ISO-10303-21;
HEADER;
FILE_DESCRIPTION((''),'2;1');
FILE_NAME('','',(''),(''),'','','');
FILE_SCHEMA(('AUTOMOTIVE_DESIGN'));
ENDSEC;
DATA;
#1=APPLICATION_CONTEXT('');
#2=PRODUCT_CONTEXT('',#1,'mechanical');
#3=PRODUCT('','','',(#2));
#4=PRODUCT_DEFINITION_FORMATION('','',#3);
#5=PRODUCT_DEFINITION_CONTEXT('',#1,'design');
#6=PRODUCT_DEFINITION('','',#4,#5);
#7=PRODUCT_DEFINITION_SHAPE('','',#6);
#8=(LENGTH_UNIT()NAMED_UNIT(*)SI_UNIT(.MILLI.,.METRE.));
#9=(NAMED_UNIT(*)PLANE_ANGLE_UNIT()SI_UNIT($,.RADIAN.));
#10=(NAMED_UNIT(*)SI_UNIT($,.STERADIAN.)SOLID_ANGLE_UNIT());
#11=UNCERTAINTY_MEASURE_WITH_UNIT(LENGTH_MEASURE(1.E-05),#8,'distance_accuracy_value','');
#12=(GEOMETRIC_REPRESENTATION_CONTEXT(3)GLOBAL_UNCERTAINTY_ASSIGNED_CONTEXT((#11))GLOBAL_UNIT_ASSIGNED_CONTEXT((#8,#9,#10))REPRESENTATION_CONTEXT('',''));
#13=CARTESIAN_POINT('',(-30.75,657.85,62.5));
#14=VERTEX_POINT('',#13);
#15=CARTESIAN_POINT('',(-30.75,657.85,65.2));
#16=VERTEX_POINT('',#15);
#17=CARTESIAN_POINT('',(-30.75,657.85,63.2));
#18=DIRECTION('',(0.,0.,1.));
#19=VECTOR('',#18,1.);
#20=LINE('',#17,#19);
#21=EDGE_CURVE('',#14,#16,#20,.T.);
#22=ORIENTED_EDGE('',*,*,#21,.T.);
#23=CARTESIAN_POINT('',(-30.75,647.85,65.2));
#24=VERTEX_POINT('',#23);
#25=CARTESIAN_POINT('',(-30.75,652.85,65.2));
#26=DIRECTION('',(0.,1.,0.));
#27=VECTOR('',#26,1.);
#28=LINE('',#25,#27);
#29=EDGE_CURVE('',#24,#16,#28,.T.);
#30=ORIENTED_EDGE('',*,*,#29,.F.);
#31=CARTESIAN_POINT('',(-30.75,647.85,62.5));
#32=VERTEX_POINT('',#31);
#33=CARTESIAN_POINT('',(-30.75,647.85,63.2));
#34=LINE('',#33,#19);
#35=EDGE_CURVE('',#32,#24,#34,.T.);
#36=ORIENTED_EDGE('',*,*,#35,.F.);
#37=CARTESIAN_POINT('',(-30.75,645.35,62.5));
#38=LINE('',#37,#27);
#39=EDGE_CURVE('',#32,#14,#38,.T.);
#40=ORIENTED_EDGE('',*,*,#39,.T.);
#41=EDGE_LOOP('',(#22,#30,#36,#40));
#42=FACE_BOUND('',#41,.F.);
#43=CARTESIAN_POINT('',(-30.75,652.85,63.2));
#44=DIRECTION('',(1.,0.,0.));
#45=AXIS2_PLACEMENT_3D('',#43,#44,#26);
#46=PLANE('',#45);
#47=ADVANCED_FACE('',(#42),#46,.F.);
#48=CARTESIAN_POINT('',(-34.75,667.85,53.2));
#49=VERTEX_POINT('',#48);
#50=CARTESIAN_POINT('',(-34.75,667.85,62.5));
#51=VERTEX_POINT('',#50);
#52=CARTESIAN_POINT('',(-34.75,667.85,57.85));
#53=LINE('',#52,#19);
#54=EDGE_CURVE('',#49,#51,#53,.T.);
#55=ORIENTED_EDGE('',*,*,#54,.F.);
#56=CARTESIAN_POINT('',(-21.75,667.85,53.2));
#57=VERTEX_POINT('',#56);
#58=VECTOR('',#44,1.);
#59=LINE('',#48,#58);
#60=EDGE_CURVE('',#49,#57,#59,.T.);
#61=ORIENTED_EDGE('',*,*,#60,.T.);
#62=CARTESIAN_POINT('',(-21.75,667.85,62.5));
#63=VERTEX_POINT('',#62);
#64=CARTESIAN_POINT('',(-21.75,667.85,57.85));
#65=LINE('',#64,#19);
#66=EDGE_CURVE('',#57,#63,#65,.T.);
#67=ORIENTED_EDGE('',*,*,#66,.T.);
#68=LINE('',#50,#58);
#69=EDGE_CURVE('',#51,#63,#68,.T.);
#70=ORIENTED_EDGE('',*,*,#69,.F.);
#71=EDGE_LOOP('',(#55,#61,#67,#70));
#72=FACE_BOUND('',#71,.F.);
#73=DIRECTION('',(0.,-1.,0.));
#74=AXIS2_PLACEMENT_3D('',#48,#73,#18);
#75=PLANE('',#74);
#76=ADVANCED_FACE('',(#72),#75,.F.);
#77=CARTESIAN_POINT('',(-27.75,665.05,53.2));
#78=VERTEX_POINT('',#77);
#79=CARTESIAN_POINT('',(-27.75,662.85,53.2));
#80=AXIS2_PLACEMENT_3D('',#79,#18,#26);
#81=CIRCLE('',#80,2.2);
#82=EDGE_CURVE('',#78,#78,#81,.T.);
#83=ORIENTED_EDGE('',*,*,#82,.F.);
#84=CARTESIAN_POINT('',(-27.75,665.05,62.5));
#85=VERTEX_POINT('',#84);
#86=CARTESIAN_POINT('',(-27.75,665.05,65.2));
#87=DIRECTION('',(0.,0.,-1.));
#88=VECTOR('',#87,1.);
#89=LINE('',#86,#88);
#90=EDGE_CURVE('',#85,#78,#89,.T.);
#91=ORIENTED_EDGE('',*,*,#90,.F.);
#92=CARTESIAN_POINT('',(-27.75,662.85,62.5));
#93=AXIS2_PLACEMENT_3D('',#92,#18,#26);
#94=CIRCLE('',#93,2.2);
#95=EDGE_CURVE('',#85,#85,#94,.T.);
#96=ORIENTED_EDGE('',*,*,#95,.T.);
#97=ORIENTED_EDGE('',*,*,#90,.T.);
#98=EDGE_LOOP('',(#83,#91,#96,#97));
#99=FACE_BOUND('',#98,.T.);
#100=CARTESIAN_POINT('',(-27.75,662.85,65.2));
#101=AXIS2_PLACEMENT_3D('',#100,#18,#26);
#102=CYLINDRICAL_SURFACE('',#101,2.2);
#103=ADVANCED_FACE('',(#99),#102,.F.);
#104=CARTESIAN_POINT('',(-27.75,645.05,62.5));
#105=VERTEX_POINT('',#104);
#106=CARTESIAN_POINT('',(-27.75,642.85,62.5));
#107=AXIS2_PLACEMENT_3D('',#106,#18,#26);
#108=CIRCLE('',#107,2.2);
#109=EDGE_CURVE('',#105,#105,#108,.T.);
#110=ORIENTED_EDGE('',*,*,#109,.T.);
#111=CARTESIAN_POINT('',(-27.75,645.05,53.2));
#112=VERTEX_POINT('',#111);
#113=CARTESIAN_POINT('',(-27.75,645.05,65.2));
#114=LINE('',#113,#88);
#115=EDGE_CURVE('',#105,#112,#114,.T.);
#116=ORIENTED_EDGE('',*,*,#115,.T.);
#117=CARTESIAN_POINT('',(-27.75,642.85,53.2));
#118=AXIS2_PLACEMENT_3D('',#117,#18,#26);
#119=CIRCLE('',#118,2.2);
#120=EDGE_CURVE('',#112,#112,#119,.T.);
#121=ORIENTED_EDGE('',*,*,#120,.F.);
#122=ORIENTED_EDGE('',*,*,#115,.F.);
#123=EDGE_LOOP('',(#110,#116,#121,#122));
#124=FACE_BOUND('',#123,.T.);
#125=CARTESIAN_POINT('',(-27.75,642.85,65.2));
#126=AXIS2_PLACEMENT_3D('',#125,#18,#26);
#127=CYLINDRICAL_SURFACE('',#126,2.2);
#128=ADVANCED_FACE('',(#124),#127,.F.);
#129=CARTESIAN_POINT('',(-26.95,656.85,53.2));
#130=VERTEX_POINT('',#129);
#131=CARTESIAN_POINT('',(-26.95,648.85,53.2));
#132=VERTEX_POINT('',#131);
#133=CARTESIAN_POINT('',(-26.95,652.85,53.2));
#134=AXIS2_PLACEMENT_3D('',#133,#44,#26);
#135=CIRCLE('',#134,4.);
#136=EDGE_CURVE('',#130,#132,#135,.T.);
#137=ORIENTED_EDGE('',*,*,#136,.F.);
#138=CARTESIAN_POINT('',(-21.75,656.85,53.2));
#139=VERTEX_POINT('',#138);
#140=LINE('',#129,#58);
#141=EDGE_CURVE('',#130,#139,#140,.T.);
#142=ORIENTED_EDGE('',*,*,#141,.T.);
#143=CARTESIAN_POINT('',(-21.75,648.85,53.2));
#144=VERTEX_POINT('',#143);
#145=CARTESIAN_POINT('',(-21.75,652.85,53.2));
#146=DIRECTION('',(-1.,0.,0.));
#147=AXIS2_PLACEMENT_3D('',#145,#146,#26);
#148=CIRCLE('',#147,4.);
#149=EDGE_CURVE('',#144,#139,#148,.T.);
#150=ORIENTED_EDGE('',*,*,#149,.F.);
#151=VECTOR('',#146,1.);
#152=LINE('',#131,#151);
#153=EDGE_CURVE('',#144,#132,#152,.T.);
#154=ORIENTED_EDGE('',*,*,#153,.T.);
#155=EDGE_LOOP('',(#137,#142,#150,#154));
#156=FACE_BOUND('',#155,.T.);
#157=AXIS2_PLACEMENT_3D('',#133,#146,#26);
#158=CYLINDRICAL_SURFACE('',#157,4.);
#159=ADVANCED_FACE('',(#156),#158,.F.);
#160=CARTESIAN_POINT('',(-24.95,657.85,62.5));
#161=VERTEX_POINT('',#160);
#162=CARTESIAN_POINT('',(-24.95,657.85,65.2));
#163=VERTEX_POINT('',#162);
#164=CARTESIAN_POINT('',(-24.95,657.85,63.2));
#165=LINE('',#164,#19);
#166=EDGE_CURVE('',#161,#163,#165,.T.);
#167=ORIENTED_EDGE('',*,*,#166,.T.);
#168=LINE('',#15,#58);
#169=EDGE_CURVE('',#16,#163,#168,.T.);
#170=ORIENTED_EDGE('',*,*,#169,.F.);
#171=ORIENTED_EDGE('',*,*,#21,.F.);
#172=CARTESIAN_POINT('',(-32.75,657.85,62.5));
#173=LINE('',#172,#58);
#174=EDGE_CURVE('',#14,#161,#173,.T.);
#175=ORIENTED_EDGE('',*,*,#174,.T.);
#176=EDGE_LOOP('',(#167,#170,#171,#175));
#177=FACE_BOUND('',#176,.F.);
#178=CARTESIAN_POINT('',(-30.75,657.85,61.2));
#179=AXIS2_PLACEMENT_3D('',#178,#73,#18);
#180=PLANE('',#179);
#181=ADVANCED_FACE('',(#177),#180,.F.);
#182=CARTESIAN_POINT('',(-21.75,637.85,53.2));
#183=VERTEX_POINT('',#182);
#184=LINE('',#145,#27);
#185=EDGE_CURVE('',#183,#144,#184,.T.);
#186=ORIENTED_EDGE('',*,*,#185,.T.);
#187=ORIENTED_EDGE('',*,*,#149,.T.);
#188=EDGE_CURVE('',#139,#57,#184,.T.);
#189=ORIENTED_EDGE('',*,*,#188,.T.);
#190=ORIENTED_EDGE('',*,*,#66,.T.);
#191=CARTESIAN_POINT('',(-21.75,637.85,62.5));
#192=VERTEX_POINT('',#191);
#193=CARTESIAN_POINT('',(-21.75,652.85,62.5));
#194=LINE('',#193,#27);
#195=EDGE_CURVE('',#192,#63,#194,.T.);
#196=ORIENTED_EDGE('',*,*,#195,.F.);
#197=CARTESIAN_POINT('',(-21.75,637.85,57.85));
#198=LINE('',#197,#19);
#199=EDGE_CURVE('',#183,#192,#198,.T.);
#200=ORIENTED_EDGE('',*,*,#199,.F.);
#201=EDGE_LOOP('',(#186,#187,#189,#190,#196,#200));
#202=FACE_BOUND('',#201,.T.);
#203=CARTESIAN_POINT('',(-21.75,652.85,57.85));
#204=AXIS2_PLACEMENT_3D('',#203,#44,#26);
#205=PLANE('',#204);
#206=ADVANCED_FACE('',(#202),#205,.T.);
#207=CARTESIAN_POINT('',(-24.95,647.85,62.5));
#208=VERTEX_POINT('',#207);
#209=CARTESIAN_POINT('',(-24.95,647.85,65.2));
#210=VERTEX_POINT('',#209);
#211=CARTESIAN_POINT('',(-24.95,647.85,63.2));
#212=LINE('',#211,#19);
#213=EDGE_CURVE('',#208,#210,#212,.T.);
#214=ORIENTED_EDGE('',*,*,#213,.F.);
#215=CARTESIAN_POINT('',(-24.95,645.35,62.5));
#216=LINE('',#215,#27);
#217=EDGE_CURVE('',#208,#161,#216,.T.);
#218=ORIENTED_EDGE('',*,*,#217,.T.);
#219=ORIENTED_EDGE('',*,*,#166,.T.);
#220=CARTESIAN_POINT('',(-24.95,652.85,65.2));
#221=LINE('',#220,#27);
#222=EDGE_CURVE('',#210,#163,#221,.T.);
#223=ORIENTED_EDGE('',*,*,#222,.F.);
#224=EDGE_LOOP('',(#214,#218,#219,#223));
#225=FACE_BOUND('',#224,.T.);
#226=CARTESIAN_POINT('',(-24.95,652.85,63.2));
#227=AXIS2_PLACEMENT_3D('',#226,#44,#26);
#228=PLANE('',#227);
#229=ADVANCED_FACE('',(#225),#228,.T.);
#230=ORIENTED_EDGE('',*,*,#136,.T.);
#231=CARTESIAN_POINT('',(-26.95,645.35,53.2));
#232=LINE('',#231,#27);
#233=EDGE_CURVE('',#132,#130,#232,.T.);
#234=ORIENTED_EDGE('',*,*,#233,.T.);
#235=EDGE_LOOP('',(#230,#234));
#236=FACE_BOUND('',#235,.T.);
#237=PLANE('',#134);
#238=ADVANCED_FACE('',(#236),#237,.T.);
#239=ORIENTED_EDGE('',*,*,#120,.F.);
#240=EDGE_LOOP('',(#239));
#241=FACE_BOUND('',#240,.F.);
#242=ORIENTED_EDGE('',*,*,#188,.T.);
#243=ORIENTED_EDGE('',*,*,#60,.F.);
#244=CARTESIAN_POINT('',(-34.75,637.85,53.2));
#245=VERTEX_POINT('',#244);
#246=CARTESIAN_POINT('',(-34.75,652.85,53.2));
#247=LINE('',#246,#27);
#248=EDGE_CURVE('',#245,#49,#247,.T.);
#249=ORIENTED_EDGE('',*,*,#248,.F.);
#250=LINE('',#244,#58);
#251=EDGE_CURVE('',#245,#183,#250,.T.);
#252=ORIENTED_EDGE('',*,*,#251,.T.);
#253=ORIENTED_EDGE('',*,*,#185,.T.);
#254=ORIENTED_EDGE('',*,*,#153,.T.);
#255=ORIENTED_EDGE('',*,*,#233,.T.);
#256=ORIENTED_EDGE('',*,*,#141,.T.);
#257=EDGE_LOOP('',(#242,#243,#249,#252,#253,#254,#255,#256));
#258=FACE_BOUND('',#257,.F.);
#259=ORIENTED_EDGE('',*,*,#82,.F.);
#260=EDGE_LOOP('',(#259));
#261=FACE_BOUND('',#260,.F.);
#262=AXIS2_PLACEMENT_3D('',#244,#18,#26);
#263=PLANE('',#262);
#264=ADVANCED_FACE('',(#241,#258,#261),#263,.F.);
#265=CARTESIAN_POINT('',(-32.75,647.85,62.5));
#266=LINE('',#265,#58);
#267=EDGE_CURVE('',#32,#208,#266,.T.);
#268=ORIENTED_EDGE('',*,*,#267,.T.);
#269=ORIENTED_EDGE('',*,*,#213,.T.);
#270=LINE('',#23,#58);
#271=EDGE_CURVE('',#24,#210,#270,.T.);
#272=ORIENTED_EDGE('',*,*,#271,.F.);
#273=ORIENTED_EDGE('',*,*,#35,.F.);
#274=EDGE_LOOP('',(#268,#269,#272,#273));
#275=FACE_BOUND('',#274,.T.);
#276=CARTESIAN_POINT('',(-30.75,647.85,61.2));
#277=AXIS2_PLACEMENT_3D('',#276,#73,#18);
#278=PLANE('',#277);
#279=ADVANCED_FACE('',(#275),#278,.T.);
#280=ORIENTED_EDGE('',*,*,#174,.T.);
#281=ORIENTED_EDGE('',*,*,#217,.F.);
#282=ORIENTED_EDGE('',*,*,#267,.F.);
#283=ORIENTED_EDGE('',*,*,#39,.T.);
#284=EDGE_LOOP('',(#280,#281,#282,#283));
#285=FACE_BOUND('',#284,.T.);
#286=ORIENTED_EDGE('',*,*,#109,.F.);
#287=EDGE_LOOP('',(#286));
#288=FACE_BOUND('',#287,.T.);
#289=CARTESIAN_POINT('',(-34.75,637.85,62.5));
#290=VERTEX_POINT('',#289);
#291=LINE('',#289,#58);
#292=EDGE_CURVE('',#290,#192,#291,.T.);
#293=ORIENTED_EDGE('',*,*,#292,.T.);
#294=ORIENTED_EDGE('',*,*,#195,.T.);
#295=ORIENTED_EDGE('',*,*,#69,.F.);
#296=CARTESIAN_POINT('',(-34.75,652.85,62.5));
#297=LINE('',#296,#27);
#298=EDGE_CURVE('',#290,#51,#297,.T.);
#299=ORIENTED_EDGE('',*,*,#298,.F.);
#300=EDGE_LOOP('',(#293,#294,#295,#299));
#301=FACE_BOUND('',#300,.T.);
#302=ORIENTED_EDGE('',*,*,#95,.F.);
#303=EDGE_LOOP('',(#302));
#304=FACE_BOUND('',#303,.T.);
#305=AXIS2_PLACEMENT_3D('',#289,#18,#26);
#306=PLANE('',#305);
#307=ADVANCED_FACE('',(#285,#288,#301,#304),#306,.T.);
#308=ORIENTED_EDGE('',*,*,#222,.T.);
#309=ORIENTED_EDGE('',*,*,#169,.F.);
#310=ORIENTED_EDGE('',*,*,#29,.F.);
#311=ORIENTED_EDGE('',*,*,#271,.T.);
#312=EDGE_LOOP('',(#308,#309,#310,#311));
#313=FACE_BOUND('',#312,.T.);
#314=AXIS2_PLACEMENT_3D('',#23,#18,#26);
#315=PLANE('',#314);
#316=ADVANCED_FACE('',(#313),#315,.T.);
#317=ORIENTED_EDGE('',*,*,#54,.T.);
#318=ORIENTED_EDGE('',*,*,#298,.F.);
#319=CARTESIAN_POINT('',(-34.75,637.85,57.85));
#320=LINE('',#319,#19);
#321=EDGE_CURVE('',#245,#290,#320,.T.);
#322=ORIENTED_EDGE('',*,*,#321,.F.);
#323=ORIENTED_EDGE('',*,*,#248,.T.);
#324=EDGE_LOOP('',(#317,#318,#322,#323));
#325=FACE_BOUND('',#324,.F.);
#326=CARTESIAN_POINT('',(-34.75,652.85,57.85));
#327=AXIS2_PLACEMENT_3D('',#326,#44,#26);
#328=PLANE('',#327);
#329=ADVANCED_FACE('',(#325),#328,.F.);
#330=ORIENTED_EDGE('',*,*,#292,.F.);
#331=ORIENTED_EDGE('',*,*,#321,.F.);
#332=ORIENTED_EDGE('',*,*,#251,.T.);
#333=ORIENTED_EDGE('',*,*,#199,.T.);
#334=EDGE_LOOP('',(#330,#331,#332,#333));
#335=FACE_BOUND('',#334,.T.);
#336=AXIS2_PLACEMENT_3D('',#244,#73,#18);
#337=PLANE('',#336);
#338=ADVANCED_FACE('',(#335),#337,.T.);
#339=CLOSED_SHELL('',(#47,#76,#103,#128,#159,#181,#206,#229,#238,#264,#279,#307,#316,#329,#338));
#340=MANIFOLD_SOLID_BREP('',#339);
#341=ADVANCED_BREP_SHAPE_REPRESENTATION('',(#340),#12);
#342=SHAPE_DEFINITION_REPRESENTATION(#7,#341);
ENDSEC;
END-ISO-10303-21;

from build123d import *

# Parameters (mm, degrees)
BOX056_W                  = 10
BOX056_H                  = 4
BOX056_DEPTH              = 5.8
CYLINDER077_R             = 2.2
CYLINDER077_DEPTH         = 25
CYLINDER076_R             = 2.2
CYLINDER076_DEPTH         = 25
CYLINDER075_R             = 4
CYLINDER075_DEPTH         = 6
BOX055_W                  = 30
BOX055_H                  = 9.3
BOX055_DEPTH              = 13
FUSION045_ROLL_ANGLE      = 90
FUSION045_PLACEMENT_ANGLE = 90


with BuildPart() as quader035:
    # Box056 → Box056 (new body)
    with BuildSketch(Plane(origin=(-5, 8, 2), x_dir=(1, 0, 0), z_dir=(0, 0, 1))):
        with Locations((5, 2)):
            Rectangle(BOX056_W, BOX056_H)
    extrude(amount=BOX056_DEPTH)


with BuildPart() as zylinder066:
    # Cylinder077 → Cylinder077 (new body)
    with BuildSketch(Plane(origin=(-10, 12, 5), x_dir=(1, 0, 0), z_dir=(0, -1, 0))):
        Circle(CYLINDER077_R)
    extrude(amount=CYLINDER077_DEPTH)


with BuildPart() as zylinder065:
    # Cylinder076 → Cylinder076 (new body)
    with BuildSketch(Plane(origin=(10, 12, 5), x_dir=(1, 0, 0), z_dir=(0, -1, 0))):
        Circle(CYLINDER076_R)
    extrude(amount=CYLINDER076_DEPTH)


with BuildPart() as zylinder064:
    # Cylinder075 → Cylinder075 (new body)
    with BuildSketch(Plane.XY.offset(5.8)):
        Circle(CYLINDER075_R)
    extrude(amount=CYLINDER075_DEPTH)


with BuildPart() as y_drive_mount003:
    # Box055 → Box055 (new body)
    with BuildSketch(Plane(origin=(-15, 0, -2), x_dir=(1, 0, 0), z_dir=(0, 0, 1))):
        with Locations((15, 4.65)):
            Rectangle(BOX055_W, BOX055_H)
    extrude(amount=BOX055_DEPTH)

    # Cut084: cut Zylinder064
    add(zylinder064.part, mode=Mode.SUBTRACT)

    # Cut085: cut Zylinder065
    add(zylinder065.part, mode=Mode.SUBTRACT)

    # Cut086: cut Zylinder066
    add(zylinder066.part, mode=Mode.SUBTRACT)

    # Fusion045: union Quader035
    add(quader035.part)


with BuildPart() as y_drive_mount003_1:
    # Fusion045 roll: moved
    add(y_drive_mount003.part.rotate(Axis((0, 0, 0), (1, 0, 0)), FUSION045_ROLL_ANGLE))


with BuildPart() as y_drive_mount003_2:
    # Fusion045 placement: moved
    add(y_drive_mount003_1.part.moved(Location((-32.75, 652.85, 53.2))).rotate(Axis((-32.75, 652.85, 53.2), (0, 0, 1)), FUSION045_PLACEMENT_ANGLE))


solid = y_drive_mount003_2.part
